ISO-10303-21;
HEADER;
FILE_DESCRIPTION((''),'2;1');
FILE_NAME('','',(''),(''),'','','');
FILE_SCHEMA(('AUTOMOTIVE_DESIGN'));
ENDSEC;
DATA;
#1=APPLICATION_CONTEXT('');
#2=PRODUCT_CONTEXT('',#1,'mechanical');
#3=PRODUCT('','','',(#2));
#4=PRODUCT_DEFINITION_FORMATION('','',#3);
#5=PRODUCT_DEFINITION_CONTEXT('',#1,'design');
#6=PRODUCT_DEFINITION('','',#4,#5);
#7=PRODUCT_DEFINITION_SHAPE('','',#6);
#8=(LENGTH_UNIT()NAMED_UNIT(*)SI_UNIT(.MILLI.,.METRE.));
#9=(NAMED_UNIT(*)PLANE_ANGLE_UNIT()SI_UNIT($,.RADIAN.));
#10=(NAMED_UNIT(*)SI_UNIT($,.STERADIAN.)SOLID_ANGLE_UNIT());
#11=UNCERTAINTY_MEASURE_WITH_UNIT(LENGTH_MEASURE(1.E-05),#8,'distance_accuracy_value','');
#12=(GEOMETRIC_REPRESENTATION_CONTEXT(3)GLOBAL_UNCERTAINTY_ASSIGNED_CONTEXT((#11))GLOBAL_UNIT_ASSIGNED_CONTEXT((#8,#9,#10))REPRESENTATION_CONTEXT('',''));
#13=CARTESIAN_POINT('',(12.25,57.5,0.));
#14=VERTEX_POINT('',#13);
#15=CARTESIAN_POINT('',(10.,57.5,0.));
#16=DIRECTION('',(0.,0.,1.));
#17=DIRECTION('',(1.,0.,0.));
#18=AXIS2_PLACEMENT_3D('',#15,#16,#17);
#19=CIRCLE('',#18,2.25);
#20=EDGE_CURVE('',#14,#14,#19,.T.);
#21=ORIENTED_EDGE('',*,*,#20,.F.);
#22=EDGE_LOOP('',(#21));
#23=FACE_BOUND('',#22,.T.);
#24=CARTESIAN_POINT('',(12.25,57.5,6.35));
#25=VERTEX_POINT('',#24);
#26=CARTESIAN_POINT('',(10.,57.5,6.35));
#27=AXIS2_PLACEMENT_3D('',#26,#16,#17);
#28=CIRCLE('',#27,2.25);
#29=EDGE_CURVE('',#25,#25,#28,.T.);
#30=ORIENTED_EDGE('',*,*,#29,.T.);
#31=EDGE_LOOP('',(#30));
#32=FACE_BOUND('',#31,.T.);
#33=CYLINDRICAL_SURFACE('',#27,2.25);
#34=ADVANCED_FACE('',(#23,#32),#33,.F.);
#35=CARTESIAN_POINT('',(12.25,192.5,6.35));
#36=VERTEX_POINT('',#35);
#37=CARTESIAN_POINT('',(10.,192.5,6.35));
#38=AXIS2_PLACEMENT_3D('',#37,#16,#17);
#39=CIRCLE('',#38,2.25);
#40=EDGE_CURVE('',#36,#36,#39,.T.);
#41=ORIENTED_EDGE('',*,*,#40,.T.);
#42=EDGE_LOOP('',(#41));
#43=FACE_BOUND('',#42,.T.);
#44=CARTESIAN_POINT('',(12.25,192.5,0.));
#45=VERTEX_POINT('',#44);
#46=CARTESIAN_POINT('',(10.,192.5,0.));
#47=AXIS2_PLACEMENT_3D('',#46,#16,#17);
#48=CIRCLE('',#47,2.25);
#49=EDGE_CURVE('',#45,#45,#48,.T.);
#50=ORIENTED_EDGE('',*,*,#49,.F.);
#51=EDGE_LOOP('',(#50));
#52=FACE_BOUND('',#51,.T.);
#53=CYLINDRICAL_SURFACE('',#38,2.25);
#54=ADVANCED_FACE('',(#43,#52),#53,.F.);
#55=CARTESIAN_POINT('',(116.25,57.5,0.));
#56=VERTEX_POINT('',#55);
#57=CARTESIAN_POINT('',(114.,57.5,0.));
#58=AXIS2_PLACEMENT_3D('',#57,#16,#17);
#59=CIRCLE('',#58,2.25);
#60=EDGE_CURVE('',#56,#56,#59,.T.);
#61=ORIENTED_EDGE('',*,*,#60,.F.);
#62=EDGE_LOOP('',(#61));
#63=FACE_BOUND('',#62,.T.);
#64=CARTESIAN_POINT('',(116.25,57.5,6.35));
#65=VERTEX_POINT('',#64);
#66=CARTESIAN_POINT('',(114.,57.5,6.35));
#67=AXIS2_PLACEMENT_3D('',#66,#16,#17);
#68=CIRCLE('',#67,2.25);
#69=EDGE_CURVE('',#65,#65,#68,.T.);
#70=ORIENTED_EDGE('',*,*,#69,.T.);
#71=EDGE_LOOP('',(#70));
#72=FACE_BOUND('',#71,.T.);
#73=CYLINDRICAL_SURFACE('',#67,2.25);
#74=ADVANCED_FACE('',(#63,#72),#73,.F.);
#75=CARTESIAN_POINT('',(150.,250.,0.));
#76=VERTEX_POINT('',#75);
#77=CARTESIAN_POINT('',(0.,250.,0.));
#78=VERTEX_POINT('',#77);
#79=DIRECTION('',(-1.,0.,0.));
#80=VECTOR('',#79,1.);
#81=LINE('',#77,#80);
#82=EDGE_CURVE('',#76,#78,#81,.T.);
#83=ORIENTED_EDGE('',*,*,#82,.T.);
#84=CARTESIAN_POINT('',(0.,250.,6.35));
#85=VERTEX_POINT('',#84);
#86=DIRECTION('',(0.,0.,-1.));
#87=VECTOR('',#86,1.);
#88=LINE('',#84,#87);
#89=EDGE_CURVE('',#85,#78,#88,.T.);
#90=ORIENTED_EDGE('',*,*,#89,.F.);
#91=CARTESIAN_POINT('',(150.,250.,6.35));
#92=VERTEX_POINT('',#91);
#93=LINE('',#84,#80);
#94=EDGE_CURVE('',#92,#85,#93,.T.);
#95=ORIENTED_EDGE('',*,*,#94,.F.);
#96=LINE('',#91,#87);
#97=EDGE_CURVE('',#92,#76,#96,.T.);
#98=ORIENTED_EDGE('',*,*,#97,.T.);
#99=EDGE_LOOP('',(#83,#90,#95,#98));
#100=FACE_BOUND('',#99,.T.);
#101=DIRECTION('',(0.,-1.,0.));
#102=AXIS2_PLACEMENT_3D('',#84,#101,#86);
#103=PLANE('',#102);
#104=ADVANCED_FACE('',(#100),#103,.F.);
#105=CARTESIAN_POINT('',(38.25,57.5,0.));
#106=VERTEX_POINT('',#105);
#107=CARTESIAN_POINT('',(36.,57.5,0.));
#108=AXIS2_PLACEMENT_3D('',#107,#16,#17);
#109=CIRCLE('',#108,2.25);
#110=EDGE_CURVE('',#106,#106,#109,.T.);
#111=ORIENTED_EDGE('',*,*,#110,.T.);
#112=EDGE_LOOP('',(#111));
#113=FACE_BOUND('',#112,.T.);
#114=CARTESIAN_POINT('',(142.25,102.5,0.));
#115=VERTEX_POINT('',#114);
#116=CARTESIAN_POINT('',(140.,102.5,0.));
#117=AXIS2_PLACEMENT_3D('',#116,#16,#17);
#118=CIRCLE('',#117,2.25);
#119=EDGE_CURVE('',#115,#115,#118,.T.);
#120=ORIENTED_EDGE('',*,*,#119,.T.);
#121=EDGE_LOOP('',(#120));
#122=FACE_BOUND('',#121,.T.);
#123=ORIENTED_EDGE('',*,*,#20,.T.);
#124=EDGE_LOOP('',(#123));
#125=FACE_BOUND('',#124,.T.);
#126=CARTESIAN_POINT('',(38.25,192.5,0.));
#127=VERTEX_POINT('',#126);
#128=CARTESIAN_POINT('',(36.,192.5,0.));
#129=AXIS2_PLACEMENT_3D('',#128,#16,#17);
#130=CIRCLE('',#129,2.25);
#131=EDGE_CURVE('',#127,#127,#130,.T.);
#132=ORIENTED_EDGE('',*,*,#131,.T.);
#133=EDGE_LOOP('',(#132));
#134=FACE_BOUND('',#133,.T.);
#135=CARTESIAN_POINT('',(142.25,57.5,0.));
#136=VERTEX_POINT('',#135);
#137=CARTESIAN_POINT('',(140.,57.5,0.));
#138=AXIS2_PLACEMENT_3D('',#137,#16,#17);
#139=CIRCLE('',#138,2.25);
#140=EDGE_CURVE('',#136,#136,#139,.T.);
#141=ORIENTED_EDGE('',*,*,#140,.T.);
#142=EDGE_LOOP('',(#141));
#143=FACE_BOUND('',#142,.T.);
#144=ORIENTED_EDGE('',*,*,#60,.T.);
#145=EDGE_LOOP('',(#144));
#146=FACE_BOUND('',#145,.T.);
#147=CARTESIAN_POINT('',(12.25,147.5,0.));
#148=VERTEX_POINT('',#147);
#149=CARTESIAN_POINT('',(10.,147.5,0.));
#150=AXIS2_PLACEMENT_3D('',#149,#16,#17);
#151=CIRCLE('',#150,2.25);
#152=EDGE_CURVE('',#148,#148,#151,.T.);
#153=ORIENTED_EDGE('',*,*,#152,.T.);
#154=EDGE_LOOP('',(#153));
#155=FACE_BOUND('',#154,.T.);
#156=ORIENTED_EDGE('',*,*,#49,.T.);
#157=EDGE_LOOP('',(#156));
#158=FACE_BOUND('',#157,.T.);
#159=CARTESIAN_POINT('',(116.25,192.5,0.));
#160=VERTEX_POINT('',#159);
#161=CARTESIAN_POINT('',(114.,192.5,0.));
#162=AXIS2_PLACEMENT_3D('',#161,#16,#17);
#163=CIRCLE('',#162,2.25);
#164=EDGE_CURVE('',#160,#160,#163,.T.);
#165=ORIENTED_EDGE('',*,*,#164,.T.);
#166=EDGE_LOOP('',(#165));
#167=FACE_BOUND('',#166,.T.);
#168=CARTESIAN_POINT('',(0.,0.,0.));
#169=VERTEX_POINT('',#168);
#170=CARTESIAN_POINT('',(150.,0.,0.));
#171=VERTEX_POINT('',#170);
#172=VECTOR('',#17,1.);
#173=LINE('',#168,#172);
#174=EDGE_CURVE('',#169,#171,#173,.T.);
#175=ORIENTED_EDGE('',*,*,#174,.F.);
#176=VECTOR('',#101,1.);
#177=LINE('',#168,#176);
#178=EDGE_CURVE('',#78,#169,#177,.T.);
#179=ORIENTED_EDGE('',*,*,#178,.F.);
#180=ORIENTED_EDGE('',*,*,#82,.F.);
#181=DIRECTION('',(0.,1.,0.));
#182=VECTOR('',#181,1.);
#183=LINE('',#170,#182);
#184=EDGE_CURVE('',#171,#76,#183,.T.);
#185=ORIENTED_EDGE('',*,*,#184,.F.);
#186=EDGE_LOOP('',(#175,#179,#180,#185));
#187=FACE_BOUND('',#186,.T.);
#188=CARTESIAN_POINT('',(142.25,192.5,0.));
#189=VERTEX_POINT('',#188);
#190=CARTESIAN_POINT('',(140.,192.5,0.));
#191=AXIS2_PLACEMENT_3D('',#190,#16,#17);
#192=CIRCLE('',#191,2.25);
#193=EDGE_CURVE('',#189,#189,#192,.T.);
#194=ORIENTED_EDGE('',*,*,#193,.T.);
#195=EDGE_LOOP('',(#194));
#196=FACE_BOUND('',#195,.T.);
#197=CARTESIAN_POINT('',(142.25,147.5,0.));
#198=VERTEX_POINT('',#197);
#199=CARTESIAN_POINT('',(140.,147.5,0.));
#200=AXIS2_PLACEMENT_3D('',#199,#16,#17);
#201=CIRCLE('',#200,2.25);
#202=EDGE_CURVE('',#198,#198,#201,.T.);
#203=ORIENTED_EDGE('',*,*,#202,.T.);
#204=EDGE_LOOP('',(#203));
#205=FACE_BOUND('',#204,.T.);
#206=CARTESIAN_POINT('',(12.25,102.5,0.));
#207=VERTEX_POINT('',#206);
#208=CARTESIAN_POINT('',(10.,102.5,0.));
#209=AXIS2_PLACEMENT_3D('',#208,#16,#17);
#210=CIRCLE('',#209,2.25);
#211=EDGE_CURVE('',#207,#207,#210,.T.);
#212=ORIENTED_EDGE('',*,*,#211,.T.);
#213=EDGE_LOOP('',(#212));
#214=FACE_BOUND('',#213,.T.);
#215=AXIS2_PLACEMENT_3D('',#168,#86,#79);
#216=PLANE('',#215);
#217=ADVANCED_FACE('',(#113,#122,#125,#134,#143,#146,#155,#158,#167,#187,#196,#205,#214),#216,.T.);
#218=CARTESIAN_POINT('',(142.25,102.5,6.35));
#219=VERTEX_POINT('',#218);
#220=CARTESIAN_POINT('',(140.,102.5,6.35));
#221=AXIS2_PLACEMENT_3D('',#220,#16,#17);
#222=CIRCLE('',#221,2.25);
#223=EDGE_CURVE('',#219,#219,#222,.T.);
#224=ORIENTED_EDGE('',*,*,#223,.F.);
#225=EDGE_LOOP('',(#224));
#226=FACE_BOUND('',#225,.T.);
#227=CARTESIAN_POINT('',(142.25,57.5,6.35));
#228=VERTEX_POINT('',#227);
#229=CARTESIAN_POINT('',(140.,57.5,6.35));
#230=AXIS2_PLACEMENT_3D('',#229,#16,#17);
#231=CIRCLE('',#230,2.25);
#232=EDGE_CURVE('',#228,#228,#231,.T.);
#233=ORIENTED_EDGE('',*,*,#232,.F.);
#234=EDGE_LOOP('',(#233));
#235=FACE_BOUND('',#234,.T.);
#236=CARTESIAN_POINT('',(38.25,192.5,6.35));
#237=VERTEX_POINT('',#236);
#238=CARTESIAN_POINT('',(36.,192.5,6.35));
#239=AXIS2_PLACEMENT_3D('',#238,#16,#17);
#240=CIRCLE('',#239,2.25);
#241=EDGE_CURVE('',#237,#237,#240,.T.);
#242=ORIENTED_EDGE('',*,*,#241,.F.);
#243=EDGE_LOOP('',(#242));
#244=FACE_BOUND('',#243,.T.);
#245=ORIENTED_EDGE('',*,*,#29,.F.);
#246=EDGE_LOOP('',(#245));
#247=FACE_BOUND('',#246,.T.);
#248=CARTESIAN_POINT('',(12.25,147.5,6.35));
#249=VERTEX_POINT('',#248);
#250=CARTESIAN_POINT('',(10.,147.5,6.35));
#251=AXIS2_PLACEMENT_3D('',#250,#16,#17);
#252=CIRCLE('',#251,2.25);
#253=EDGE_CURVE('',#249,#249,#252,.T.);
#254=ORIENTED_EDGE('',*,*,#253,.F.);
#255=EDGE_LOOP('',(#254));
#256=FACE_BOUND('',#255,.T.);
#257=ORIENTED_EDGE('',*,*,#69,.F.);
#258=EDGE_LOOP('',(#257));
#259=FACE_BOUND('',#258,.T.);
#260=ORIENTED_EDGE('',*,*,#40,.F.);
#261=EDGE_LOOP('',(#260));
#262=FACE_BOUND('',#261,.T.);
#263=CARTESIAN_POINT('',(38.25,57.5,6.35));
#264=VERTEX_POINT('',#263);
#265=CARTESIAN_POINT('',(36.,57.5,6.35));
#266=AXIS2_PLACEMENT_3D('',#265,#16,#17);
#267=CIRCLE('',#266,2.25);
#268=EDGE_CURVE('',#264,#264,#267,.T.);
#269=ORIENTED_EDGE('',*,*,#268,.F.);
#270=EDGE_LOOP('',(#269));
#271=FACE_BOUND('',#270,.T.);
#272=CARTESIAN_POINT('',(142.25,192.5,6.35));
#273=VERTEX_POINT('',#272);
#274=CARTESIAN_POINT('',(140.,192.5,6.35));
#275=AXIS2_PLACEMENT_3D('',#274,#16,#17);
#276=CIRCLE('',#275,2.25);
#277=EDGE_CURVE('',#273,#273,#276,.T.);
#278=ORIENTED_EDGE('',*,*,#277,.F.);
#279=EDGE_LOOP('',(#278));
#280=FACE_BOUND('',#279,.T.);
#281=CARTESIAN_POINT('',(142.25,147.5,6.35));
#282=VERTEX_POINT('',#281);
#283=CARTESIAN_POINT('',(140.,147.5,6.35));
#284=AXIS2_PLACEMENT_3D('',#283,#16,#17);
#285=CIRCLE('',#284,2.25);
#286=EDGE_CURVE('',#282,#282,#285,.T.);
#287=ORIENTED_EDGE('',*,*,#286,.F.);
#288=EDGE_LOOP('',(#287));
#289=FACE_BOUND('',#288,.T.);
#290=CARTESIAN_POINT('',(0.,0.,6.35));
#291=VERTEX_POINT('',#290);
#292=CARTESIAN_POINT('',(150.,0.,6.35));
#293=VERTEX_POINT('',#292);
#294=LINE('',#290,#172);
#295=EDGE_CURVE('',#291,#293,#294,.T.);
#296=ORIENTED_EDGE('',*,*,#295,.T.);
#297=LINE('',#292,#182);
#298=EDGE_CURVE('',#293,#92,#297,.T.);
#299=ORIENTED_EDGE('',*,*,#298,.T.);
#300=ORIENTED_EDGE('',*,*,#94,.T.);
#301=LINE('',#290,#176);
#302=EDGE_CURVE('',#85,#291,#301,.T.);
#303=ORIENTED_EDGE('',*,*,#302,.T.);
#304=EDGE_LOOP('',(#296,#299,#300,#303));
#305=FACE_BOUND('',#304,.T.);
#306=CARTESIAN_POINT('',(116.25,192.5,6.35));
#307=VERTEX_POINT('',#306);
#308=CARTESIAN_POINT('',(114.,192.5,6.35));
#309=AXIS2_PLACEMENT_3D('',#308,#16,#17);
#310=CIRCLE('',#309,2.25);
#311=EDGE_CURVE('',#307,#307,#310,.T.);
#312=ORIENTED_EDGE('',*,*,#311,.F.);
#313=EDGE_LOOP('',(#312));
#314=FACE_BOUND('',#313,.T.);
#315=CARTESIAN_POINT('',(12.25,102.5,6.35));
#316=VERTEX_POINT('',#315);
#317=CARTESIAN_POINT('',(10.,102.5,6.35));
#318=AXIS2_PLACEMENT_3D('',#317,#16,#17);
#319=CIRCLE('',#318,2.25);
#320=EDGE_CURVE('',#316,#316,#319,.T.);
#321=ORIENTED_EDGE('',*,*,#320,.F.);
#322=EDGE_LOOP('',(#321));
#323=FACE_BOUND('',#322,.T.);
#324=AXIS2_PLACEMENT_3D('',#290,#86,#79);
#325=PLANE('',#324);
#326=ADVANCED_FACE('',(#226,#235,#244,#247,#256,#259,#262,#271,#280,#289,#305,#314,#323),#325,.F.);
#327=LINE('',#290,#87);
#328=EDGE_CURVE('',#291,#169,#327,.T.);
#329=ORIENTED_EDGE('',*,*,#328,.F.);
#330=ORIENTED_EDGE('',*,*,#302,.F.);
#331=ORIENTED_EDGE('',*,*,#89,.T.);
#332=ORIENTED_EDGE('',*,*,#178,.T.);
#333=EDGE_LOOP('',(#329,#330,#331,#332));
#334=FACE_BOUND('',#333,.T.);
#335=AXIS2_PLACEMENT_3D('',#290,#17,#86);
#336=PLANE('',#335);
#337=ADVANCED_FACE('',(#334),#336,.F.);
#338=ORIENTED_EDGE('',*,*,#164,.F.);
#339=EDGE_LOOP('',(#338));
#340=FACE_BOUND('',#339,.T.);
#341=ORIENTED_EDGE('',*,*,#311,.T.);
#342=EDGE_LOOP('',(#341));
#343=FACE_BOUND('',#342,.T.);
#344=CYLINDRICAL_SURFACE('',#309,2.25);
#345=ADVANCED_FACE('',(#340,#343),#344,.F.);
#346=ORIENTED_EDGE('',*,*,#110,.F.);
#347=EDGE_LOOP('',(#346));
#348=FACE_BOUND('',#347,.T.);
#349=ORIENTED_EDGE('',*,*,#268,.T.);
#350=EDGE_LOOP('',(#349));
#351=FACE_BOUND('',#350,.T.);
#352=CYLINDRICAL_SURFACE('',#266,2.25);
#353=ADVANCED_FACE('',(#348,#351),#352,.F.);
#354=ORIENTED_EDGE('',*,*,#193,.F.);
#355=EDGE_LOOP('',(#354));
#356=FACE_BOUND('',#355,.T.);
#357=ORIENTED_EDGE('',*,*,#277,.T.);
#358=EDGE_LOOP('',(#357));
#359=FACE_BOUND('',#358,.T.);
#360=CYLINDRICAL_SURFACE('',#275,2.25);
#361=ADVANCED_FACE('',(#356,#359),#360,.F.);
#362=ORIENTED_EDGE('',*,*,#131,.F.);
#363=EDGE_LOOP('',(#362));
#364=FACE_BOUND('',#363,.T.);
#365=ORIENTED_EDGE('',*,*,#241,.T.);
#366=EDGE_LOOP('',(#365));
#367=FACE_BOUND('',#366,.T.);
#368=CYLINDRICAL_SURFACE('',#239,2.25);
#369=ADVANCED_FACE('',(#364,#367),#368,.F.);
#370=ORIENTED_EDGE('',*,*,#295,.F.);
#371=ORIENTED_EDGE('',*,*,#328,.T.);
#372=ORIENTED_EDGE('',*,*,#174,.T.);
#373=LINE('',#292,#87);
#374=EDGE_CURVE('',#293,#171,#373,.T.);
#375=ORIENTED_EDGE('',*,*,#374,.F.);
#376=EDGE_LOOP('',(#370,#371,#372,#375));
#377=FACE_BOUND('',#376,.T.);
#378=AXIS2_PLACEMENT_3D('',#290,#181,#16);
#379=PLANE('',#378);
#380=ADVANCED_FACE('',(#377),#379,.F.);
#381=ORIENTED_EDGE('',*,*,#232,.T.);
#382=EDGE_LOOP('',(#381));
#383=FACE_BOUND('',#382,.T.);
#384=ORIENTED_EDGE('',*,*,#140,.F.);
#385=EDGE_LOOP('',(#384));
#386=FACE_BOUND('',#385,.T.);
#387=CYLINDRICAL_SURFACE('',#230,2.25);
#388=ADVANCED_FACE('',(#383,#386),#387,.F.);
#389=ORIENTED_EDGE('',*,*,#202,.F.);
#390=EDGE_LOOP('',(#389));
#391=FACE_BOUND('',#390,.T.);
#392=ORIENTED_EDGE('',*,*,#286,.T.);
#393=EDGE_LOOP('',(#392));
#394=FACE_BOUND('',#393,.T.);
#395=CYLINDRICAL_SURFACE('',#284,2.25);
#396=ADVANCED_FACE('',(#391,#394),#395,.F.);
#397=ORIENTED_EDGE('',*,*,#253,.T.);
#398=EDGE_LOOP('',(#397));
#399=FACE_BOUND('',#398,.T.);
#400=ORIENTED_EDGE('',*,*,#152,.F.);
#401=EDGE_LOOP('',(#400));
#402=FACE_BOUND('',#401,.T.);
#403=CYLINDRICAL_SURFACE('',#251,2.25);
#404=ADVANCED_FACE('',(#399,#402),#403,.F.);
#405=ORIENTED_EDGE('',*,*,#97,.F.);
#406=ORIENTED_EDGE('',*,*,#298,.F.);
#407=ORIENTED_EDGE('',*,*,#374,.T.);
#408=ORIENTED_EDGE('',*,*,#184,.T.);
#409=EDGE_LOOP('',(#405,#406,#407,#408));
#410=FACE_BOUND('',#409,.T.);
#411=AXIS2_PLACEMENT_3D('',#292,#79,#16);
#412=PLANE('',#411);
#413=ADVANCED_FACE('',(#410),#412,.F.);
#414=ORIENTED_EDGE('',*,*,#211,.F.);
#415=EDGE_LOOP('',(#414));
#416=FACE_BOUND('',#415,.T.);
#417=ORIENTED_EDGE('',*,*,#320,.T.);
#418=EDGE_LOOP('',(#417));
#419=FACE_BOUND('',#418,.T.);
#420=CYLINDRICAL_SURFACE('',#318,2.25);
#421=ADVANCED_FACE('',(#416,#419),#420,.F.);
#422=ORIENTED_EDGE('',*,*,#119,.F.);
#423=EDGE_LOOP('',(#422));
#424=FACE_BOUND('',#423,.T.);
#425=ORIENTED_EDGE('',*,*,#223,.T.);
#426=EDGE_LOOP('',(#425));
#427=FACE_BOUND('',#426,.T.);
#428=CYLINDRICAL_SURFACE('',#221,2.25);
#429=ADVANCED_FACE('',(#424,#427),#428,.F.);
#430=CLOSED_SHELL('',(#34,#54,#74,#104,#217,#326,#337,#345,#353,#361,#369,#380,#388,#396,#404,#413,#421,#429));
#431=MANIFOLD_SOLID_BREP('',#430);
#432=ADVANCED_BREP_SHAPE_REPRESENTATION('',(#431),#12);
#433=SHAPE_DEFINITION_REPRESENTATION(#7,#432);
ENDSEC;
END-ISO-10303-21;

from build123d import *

# Parameters (mm, degrees)
SKETCH1_W            = 150
SKETCH1_H            = 250
BOSS_EXTRUDE1_DEPTH  = 6.35
M4_CLEARANCE_HOLE1_D = 4.5
M4_CLEARANCE_HOLE2_D = 4.5


with BuildPart() as part:
    # Sketch1 → Boss-Extrude1 (new body)
    with BuildSketch(Plane.XY):
        with Locations((75, 125)):
            Rectangle(SKETCH1_W, SKETCH1_H)
    extrude(amount=BOSS_EXTRUDE1_DEPTH)

    # M4 Clearance Hole1 (through all)
    with Locations(Plane.XY.offset(6.35)):
        with Locations((10, 192.5), (10, 147.5), (10, 102.5), (140, 192.5), (140, 147.5), (140, 102.5), (10, 57.5), (140, 57.5)):
            Hole(M4_CLEARANCE_HOLE1_D / 2)

    # M4 Clearance Hole2 (through all)
    with Locations(Plane.XY.offset(6.35)):
        with Locations((36, 57.5), (36, 192.5), (114, 192.5), (114, 57.5)):
            Hole(M4_CLEARANCE_HOLE2_D / 2)


solid = part.part
